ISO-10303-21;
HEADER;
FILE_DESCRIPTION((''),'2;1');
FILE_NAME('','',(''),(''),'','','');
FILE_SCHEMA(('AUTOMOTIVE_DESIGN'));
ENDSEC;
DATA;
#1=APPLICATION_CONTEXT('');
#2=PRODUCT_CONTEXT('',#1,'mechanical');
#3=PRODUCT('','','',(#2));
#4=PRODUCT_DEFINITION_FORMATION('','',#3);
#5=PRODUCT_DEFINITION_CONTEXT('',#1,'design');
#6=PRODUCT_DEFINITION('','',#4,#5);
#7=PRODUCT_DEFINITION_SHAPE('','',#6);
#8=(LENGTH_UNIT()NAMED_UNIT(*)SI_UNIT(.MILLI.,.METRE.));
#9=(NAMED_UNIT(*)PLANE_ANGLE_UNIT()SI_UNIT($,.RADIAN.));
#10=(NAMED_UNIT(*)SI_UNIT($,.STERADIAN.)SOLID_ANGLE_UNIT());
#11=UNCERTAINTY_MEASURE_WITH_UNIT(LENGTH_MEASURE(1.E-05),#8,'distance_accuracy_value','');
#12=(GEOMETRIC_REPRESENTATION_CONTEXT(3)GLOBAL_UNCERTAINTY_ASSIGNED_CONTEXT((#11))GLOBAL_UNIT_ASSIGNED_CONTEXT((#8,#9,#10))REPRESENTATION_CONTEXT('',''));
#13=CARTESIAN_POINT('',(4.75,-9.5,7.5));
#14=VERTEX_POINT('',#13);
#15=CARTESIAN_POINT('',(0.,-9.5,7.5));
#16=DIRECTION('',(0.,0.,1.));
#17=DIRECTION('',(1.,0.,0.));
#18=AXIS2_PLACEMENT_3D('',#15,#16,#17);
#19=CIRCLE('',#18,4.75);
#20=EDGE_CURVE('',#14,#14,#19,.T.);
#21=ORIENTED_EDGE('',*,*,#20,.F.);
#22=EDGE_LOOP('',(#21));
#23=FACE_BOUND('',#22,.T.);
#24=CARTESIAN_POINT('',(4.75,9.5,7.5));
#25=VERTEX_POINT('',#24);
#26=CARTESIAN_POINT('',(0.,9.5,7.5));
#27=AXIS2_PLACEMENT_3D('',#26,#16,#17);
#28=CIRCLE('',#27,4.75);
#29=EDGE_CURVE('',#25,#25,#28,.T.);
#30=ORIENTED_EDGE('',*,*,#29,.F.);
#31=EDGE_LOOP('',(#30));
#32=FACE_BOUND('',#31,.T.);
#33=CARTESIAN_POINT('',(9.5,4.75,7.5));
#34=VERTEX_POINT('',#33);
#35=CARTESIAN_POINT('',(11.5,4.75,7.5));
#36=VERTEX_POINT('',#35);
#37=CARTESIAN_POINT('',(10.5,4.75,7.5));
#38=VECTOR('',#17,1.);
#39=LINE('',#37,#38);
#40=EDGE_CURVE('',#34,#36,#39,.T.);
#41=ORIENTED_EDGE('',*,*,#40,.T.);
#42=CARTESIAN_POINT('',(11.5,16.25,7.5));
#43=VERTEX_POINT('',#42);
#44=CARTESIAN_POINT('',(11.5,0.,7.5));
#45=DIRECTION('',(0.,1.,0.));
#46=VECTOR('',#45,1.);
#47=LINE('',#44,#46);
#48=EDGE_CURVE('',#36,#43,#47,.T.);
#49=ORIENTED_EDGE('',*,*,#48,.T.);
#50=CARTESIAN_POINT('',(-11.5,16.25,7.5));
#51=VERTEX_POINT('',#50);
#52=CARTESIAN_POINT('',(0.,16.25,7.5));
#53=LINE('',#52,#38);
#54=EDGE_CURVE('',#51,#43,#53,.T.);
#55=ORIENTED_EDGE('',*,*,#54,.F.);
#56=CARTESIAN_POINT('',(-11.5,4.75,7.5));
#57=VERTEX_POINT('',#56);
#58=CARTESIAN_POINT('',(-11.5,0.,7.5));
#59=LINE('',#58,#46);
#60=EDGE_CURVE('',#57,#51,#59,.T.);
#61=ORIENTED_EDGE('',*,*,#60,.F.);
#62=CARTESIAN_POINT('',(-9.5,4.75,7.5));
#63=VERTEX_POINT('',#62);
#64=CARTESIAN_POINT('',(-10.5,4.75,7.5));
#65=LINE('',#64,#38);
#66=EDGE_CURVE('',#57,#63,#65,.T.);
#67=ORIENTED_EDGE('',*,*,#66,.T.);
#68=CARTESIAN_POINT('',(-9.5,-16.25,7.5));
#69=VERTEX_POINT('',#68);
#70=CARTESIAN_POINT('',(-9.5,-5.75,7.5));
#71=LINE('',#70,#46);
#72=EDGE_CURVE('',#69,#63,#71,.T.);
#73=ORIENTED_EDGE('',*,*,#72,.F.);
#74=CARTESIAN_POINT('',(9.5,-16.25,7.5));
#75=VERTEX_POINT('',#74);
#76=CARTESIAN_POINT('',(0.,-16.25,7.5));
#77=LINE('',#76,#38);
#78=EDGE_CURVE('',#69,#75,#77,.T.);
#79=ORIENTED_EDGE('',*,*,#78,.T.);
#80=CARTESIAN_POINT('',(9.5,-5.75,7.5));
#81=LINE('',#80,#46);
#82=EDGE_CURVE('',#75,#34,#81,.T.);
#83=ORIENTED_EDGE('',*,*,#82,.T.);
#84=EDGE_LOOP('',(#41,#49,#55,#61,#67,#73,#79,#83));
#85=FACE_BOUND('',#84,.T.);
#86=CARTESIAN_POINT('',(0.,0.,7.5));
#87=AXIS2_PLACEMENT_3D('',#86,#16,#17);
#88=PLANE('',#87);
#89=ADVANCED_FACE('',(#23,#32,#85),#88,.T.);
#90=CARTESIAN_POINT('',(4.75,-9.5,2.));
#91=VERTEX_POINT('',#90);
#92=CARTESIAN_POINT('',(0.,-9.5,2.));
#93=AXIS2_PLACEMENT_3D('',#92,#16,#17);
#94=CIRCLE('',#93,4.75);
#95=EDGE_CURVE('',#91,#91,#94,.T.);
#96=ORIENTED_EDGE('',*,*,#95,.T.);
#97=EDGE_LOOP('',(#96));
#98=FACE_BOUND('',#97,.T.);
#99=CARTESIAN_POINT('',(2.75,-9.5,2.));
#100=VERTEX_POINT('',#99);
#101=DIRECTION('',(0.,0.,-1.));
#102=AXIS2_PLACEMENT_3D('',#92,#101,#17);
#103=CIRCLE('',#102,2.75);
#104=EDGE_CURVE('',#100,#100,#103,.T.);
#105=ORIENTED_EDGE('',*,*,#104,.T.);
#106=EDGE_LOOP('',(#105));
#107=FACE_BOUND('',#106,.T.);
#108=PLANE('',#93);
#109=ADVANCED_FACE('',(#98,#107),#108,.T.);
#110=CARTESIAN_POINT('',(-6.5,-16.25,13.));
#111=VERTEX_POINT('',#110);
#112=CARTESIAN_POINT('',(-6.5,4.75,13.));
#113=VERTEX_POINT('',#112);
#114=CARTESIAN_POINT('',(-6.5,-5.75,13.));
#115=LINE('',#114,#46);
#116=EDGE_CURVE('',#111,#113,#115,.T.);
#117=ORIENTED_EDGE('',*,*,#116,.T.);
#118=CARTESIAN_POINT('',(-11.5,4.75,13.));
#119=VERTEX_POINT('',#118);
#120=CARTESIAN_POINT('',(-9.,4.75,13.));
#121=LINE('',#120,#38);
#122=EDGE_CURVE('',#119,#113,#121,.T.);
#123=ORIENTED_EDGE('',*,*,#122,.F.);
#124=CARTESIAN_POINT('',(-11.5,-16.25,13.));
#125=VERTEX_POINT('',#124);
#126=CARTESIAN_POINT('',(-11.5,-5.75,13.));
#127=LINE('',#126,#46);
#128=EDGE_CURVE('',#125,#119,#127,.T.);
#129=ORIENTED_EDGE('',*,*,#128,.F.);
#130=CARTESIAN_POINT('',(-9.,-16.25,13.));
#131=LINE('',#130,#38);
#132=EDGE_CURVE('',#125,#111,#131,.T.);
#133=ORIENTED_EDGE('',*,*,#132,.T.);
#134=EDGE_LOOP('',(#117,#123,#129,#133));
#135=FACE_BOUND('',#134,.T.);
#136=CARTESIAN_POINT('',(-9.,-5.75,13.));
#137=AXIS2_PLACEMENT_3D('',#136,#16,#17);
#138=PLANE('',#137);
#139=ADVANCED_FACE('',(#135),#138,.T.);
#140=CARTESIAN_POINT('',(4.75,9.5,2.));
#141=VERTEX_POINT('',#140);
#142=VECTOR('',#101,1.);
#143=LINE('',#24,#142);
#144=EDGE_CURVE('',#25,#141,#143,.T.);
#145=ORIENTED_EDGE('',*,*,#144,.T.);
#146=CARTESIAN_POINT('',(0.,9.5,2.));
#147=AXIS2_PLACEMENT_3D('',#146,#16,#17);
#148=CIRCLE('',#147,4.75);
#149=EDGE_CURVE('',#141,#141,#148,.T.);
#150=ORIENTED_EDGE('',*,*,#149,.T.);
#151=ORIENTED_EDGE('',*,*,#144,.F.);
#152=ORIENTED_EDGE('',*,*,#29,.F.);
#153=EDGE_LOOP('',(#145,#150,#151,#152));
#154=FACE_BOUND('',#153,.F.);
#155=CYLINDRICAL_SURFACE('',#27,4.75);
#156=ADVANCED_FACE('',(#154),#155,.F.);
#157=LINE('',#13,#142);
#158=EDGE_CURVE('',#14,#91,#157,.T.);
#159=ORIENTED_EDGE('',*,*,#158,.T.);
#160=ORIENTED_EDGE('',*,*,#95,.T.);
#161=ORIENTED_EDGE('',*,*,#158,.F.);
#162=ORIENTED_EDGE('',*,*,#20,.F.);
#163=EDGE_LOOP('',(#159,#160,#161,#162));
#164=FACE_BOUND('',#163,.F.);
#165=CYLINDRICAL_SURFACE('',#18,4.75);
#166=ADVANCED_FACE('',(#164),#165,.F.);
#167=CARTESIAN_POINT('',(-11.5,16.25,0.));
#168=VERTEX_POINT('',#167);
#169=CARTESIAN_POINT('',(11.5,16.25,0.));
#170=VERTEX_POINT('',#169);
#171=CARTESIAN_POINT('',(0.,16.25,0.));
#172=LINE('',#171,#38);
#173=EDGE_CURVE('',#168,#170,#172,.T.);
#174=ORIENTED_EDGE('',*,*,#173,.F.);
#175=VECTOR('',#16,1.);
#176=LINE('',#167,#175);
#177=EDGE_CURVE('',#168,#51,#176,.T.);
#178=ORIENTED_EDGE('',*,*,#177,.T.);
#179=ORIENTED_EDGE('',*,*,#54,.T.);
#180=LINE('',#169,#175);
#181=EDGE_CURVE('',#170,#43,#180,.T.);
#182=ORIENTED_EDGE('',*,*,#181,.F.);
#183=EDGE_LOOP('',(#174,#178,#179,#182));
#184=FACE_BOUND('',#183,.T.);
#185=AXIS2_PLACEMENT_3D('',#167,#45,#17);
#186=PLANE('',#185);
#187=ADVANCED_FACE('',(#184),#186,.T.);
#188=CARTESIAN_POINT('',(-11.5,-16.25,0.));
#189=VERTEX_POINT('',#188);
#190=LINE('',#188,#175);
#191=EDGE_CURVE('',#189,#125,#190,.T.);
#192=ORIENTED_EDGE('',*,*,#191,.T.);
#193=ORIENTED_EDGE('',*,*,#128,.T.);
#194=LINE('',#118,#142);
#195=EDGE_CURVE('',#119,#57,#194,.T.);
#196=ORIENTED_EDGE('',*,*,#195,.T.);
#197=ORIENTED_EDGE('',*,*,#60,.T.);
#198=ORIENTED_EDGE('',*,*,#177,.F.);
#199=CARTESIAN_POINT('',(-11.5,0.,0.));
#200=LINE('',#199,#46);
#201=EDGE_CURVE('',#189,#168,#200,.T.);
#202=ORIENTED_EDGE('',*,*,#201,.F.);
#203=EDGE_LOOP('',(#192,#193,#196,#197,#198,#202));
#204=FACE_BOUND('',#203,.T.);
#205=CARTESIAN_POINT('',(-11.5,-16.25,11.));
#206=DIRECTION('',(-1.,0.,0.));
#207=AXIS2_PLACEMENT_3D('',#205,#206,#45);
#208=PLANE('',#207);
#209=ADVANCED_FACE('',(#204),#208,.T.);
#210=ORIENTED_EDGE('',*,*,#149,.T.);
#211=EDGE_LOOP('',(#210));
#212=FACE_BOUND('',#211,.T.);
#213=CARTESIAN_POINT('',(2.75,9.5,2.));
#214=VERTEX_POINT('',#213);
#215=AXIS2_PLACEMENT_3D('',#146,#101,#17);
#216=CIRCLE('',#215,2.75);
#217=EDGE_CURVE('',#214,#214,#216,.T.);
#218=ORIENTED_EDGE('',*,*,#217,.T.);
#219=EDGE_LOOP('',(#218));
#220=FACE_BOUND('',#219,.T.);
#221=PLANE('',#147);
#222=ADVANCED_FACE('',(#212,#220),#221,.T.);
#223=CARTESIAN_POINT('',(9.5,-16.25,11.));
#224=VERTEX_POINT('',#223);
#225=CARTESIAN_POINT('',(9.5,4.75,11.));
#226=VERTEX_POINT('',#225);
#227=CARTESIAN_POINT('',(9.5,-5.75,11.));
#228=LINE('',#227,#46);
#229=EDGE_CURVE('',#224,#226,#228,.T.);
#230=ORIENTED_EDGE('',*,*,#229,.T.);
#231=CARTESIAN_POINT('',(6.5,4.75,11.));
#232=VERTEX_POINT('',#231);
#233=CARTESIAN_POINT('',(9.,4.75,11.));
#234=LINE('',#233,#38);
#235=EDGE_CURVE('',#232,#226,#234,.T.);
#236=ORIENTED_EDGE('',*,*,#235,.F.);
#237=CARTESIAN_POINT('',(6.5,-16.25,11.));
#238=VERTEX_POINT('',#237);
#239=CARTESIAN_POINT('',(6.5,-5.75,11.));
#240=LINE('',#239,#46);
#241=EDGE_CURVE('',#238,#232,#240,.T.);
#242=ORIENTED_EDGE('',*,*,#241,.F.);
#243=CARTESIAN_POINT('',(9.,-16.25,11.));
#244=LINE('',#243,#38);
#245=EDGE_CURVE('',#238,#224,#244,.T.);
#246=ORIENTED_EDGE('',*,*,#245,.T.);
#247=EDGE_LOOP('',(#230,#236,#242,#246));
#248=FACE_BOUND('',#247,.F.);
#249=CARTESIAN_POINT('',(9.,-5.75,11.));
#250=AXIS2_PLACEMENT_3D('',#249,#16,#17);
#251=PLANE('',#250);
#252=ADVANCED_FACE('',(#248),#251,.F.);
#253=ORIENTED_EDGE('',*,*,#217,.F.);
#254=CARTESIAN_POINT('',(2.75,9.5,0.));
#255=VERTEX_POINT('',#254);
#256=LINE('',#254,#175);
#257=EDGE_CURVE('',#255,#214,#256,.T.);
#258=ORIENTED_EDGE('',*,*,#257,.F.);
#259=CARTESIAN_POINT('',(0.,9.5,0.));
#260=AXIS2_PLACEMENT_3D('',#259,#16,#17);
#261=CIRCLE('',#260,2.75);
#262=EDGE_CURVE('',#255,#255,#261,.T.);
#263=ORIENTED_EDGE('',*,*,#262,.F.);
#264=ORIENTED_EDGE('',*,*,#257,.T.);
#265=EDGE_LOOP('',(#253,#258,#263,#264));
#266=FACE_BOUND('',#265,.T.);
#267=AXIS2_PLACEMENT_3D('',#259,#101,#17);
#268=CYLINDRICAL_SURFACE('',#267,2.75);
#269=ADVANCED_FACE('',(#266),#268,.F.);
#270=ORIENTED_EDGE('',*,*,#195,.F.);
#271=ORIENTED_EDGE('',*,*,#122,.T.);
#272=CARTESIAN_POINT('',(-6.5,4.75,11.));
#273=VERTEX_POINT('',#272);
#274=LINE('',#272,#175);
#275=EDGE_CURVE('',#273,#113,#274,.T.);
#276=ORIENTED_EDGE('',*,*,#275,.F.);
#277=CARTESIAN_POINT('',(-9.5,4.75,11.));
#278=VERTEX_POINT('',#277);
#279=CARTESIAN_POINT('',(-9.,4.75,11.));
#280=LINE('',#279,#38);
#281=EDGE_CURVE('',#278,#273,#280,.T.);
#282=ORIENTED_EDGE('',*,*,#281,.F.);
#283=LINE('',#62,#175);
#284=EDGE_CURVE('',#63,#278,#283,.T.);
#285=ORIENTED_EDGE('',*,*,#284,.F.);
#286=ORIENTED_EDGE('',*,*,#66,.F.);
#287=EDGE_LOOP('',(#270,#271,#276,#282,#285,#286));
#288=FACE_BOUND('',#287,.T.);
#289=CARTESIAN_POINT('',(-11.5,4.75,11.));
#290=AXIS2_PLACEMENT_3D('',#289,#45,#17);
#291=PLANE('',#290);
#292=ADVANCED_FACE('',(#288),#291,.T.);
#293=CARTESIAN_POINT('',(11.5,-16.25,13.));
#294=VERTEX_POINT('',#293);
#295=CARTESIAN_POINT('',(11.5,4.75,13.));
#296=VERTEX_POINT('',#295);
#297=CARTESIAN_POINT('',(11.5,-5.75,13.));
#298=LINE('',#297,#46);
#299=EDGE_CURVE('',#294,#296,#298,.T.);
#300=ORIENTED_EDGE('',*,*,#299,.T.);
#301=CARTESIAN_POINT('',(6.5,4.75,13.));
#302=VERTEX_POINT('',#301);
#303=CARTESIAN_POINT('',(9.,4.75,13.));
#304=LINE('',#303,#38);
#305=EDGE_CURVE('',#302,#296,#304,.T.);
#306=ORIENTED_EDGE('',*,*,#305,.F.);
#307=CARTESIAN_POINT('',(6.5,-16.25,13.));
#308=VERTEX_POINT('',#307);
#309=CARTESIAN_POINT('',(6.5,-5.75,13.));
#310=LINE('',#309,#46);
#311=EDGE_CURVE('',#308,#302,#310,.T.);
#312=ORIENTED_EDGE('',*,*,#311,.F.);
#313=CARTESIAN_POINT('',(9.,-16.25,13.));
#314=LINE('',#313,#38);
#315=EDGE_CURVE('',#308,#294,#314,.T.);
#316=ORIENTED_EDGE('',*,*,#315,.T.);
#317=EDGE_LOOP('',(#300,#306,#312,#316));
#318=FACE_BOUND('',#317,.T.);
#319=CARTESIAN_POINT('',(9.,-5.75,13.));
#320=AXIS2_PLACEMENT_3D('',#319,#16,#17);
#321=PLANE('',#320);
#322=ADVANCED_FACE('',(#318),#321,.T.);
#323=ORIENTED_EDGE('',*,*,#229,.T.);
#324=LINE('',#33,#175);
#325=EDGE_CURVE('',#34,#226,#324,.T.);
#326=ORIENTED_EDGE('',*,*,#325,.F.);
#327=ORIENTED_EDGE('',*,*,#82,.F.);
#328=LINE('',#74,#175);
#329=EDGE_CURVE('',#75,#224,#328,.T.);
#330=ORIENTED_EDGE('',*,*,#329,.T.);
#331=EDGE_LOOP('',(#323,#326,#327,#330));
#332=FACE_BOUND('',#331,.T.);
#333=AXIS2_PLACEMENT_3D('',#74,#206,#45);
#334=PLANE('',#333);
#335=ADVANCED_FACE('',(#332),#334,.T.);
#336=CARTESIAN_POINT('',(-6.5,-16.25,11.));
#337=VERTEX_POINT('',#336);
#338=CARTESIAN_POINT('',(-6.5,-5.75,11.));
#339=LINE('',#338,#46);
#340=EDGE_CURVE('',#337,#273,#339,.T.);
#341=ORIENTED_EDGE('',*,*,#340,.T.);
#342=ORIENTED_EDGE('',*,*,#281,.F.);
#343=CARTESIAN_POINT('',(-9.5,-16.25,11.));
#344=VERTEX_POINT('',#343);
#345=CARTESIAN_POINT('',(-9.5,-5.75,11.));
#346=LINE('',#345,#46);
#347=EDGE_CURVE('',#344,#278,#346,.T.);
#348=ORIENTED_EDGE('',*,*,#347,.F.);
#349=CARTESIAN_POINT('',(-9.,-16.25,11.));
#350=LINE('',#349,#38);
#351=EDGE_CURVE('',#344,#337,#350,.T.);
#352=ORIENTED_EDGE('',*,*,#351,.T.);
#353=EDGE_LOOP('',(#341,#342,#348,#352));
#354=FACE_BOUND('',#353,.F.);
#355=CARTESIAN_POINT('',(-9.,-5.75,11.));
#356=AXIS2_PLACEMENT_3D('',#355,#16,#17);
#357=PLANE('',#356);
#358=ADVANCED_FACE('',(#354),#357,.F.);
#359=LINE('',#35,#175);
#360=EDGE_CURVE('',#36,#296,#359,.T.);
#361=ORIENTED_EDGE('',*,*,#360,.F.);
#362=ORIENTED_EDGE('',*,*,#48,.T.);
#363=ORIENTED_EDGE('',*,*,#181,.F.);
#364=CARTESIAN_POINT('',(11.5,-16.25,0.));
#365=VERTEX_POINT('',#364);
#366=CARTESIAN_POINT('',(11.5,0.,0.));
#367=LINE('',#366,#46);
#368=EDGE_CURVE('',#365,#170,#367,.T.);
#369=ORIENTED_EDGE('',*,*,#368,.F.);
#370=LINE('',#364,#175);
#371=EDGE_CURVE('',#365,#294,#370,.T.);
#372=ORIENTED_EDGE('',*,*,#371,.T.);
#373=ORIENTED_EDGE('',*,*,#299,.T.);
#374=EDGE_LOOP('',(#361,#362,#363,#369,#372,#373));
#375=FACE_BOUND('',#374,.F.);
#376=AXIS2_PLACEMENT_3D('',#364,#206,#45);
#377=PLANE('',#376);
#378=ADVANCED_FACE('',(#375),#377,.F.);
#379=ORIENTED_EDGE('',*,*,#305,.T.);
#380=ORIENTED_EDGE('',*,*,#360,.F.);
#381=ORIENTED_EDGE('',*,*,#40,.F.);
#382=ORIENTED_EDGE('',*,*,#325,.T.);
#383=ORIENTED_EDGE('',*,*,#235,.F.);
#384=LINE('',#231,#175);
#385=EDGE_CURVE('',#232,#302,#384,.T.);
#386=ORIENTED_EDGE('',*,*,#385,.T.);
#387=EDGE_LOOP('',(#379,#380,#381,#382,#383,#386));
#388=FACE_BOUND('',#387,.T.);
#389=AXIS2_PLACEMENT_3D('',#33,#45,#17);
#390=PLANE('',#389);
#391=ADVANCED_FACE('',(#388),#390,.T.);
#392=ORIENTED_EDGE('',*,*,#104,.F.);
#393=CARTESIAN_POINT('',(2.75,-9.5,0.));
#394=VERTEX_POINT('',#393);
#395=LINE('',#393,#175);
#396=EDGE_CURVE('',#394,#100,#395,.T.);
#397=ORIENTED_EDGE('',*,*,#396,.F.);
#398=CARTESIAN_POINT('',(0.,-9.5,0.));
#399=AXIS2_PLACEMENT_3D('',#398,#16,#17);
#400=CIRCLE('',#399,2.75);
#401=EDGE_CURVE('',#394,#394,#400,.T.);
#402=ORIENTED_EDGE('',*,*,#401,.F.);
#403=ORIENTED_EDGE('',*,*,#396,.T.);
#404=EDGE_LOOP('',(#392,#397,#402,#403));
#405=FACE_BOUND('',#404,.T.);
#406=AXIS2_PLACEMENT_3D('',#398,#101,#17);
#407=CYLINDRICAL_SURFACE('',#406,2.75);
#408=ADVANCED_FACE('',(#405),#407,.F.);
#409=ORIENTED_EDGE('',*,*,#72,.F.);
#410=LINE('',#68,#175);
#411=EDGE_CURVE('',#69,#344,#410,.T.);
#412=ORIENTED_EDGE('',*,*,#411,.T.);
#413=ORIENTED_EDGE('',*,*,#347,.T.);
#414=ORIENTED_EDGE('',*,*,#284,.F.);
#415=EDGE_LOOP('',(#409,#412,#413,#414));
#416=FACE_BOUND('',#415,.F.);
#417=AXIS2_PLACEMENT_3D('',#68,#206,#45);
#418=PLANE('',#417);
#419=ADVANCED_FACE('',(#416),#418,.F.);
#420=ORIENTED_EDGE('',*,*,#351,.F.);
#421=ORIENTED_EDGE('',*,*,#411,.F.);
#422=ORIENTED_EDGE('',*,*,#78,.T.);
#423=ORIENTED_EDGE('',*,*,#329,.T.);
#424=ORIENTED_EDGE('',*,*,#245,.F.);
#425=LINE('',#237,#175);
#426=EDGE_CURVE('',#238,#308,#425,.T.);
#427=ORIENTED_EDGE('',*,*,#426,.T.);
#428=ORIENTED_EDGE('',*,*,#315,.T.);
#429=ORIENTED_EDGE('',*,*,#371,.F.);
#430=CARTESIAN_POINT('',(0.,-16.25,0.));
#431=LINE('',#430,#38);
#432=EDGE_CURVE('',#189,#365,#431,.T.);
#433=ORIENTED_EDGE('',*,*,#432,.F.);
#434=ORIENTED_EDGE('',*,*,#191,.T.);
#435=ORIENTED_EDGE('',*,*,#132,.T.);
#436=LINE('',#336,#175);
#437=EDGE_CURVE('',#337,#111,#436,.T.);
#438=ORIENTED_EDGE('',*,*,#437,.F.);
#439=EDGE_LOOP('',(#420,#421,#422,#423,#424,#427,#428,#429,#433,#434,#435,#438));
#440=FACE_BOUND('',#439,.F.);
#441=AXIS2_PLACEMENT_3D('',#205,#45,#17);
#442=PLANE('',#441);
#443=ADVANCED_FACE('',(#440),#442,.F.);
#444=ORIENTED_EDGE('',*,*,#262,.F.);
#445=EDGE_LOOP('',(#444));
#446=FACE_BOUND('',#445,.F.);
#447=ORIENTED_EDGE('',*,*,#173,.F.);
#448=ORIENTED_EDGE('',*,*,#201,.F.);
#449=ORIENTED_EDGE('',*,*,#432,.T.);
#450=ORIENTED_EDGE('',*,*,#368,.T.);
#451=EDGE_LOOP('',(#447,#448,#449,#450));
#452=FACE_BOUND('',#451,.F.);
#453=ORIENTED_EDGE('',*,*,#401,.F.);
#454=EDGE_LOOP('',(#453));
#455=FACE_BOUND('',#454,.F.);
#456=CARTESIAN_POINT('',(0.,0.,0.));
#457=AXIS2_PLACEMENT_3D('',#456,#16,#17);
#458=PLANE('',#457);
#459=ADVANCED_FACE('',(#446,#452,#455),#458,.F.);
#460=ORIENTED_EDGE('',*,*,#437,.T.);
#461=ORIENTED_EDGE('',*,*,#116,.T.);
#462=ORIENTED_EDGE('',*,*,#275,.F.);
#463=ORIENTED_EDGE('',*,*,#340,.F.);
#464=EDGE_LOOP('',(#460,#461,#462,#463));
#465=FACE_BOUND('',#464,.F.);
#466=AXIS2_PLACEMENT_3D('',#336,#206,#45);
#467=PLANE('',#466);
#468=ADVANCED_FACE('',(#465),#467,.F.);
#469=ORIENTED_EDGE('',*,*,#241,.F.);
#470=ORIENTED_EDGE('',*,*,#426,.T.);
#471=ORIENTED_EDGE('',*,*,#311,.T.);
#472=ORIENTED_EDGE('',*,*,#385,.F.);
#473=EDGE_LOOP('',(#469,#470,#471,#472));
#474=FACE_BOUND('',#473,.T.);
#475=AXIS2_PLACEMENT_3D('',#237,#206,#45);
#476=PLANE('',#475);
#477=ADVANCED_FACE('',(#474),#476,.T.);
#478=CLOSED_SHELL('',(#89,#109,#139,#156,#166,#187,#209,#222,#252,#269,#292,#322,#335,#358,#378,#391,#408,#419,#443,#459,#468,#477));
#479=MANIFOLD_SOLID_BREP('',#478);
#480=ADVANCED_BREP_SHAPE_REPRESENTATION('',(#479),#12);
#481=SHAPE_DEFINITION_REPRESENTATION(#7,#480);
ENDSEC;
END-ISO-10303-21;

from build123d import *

# Parameters (mm, degrees)
F0_W     = 23
F0_H     = 32.5
F0_R     = 2.75
F1_DEPTH = 7.5
F2_R     = 4.75
F3_DEPTH = 5.5
F4_W     = 2
F4_H     = 21
F5_DEPTH = 3.5
F6_W     = 5
F6_H     = 21
F7_DEPTH = 2


with BuildPart() as f1:
    # F0 (on Top) → F1 (new body)
    with BuildSketch(Plane.XY):
        Rectangle(F0_W, F0_H)
        with Locations((0, -9.5)):
            Circle(F0_R, mode=Mode.SUBTRACT)
        with Locations((0, 9.5)):
            Circle(F0_R, mode=Mode.SUBTRACT)
    extrude(amount=F1_DEPTH)

    # F2 (on face) → F3 (cut)
    with BuildSketch(Plane.XY.offset(7.5)):
        with Locations((0, -9.5)):
            Circle(F2_R)
        with Locations((0, 9.5)):
            Circle(F2_R)
    extrude(amount=-F3_DEPTH, mode=Mode.SUBTRACT)

    # F4 (on face) → F5 (join)
    with BuildSketch(Plane.XY.offset(7.5)):
        with Locations((-10.5, -5.75)):
            Rectangle(F4_W, F4_H)
        with Locations((10.5, -5.75)):
            Rectangle(F4_W, F4_H)
    extrude(amount=F5_DEPTH)

    # F6 (on face) → F7 (join)
    with BuildSketch(Plane.XY.offset(11)):
        with Locations((-9, -5.75)):
            Rectangle(F6_W, F6_H)
        with Locations((9, -5.75)):
            Rectangle(F6_W, F6_H)
    extrude(amount=F7_DEPTH)


solid = f1.part
